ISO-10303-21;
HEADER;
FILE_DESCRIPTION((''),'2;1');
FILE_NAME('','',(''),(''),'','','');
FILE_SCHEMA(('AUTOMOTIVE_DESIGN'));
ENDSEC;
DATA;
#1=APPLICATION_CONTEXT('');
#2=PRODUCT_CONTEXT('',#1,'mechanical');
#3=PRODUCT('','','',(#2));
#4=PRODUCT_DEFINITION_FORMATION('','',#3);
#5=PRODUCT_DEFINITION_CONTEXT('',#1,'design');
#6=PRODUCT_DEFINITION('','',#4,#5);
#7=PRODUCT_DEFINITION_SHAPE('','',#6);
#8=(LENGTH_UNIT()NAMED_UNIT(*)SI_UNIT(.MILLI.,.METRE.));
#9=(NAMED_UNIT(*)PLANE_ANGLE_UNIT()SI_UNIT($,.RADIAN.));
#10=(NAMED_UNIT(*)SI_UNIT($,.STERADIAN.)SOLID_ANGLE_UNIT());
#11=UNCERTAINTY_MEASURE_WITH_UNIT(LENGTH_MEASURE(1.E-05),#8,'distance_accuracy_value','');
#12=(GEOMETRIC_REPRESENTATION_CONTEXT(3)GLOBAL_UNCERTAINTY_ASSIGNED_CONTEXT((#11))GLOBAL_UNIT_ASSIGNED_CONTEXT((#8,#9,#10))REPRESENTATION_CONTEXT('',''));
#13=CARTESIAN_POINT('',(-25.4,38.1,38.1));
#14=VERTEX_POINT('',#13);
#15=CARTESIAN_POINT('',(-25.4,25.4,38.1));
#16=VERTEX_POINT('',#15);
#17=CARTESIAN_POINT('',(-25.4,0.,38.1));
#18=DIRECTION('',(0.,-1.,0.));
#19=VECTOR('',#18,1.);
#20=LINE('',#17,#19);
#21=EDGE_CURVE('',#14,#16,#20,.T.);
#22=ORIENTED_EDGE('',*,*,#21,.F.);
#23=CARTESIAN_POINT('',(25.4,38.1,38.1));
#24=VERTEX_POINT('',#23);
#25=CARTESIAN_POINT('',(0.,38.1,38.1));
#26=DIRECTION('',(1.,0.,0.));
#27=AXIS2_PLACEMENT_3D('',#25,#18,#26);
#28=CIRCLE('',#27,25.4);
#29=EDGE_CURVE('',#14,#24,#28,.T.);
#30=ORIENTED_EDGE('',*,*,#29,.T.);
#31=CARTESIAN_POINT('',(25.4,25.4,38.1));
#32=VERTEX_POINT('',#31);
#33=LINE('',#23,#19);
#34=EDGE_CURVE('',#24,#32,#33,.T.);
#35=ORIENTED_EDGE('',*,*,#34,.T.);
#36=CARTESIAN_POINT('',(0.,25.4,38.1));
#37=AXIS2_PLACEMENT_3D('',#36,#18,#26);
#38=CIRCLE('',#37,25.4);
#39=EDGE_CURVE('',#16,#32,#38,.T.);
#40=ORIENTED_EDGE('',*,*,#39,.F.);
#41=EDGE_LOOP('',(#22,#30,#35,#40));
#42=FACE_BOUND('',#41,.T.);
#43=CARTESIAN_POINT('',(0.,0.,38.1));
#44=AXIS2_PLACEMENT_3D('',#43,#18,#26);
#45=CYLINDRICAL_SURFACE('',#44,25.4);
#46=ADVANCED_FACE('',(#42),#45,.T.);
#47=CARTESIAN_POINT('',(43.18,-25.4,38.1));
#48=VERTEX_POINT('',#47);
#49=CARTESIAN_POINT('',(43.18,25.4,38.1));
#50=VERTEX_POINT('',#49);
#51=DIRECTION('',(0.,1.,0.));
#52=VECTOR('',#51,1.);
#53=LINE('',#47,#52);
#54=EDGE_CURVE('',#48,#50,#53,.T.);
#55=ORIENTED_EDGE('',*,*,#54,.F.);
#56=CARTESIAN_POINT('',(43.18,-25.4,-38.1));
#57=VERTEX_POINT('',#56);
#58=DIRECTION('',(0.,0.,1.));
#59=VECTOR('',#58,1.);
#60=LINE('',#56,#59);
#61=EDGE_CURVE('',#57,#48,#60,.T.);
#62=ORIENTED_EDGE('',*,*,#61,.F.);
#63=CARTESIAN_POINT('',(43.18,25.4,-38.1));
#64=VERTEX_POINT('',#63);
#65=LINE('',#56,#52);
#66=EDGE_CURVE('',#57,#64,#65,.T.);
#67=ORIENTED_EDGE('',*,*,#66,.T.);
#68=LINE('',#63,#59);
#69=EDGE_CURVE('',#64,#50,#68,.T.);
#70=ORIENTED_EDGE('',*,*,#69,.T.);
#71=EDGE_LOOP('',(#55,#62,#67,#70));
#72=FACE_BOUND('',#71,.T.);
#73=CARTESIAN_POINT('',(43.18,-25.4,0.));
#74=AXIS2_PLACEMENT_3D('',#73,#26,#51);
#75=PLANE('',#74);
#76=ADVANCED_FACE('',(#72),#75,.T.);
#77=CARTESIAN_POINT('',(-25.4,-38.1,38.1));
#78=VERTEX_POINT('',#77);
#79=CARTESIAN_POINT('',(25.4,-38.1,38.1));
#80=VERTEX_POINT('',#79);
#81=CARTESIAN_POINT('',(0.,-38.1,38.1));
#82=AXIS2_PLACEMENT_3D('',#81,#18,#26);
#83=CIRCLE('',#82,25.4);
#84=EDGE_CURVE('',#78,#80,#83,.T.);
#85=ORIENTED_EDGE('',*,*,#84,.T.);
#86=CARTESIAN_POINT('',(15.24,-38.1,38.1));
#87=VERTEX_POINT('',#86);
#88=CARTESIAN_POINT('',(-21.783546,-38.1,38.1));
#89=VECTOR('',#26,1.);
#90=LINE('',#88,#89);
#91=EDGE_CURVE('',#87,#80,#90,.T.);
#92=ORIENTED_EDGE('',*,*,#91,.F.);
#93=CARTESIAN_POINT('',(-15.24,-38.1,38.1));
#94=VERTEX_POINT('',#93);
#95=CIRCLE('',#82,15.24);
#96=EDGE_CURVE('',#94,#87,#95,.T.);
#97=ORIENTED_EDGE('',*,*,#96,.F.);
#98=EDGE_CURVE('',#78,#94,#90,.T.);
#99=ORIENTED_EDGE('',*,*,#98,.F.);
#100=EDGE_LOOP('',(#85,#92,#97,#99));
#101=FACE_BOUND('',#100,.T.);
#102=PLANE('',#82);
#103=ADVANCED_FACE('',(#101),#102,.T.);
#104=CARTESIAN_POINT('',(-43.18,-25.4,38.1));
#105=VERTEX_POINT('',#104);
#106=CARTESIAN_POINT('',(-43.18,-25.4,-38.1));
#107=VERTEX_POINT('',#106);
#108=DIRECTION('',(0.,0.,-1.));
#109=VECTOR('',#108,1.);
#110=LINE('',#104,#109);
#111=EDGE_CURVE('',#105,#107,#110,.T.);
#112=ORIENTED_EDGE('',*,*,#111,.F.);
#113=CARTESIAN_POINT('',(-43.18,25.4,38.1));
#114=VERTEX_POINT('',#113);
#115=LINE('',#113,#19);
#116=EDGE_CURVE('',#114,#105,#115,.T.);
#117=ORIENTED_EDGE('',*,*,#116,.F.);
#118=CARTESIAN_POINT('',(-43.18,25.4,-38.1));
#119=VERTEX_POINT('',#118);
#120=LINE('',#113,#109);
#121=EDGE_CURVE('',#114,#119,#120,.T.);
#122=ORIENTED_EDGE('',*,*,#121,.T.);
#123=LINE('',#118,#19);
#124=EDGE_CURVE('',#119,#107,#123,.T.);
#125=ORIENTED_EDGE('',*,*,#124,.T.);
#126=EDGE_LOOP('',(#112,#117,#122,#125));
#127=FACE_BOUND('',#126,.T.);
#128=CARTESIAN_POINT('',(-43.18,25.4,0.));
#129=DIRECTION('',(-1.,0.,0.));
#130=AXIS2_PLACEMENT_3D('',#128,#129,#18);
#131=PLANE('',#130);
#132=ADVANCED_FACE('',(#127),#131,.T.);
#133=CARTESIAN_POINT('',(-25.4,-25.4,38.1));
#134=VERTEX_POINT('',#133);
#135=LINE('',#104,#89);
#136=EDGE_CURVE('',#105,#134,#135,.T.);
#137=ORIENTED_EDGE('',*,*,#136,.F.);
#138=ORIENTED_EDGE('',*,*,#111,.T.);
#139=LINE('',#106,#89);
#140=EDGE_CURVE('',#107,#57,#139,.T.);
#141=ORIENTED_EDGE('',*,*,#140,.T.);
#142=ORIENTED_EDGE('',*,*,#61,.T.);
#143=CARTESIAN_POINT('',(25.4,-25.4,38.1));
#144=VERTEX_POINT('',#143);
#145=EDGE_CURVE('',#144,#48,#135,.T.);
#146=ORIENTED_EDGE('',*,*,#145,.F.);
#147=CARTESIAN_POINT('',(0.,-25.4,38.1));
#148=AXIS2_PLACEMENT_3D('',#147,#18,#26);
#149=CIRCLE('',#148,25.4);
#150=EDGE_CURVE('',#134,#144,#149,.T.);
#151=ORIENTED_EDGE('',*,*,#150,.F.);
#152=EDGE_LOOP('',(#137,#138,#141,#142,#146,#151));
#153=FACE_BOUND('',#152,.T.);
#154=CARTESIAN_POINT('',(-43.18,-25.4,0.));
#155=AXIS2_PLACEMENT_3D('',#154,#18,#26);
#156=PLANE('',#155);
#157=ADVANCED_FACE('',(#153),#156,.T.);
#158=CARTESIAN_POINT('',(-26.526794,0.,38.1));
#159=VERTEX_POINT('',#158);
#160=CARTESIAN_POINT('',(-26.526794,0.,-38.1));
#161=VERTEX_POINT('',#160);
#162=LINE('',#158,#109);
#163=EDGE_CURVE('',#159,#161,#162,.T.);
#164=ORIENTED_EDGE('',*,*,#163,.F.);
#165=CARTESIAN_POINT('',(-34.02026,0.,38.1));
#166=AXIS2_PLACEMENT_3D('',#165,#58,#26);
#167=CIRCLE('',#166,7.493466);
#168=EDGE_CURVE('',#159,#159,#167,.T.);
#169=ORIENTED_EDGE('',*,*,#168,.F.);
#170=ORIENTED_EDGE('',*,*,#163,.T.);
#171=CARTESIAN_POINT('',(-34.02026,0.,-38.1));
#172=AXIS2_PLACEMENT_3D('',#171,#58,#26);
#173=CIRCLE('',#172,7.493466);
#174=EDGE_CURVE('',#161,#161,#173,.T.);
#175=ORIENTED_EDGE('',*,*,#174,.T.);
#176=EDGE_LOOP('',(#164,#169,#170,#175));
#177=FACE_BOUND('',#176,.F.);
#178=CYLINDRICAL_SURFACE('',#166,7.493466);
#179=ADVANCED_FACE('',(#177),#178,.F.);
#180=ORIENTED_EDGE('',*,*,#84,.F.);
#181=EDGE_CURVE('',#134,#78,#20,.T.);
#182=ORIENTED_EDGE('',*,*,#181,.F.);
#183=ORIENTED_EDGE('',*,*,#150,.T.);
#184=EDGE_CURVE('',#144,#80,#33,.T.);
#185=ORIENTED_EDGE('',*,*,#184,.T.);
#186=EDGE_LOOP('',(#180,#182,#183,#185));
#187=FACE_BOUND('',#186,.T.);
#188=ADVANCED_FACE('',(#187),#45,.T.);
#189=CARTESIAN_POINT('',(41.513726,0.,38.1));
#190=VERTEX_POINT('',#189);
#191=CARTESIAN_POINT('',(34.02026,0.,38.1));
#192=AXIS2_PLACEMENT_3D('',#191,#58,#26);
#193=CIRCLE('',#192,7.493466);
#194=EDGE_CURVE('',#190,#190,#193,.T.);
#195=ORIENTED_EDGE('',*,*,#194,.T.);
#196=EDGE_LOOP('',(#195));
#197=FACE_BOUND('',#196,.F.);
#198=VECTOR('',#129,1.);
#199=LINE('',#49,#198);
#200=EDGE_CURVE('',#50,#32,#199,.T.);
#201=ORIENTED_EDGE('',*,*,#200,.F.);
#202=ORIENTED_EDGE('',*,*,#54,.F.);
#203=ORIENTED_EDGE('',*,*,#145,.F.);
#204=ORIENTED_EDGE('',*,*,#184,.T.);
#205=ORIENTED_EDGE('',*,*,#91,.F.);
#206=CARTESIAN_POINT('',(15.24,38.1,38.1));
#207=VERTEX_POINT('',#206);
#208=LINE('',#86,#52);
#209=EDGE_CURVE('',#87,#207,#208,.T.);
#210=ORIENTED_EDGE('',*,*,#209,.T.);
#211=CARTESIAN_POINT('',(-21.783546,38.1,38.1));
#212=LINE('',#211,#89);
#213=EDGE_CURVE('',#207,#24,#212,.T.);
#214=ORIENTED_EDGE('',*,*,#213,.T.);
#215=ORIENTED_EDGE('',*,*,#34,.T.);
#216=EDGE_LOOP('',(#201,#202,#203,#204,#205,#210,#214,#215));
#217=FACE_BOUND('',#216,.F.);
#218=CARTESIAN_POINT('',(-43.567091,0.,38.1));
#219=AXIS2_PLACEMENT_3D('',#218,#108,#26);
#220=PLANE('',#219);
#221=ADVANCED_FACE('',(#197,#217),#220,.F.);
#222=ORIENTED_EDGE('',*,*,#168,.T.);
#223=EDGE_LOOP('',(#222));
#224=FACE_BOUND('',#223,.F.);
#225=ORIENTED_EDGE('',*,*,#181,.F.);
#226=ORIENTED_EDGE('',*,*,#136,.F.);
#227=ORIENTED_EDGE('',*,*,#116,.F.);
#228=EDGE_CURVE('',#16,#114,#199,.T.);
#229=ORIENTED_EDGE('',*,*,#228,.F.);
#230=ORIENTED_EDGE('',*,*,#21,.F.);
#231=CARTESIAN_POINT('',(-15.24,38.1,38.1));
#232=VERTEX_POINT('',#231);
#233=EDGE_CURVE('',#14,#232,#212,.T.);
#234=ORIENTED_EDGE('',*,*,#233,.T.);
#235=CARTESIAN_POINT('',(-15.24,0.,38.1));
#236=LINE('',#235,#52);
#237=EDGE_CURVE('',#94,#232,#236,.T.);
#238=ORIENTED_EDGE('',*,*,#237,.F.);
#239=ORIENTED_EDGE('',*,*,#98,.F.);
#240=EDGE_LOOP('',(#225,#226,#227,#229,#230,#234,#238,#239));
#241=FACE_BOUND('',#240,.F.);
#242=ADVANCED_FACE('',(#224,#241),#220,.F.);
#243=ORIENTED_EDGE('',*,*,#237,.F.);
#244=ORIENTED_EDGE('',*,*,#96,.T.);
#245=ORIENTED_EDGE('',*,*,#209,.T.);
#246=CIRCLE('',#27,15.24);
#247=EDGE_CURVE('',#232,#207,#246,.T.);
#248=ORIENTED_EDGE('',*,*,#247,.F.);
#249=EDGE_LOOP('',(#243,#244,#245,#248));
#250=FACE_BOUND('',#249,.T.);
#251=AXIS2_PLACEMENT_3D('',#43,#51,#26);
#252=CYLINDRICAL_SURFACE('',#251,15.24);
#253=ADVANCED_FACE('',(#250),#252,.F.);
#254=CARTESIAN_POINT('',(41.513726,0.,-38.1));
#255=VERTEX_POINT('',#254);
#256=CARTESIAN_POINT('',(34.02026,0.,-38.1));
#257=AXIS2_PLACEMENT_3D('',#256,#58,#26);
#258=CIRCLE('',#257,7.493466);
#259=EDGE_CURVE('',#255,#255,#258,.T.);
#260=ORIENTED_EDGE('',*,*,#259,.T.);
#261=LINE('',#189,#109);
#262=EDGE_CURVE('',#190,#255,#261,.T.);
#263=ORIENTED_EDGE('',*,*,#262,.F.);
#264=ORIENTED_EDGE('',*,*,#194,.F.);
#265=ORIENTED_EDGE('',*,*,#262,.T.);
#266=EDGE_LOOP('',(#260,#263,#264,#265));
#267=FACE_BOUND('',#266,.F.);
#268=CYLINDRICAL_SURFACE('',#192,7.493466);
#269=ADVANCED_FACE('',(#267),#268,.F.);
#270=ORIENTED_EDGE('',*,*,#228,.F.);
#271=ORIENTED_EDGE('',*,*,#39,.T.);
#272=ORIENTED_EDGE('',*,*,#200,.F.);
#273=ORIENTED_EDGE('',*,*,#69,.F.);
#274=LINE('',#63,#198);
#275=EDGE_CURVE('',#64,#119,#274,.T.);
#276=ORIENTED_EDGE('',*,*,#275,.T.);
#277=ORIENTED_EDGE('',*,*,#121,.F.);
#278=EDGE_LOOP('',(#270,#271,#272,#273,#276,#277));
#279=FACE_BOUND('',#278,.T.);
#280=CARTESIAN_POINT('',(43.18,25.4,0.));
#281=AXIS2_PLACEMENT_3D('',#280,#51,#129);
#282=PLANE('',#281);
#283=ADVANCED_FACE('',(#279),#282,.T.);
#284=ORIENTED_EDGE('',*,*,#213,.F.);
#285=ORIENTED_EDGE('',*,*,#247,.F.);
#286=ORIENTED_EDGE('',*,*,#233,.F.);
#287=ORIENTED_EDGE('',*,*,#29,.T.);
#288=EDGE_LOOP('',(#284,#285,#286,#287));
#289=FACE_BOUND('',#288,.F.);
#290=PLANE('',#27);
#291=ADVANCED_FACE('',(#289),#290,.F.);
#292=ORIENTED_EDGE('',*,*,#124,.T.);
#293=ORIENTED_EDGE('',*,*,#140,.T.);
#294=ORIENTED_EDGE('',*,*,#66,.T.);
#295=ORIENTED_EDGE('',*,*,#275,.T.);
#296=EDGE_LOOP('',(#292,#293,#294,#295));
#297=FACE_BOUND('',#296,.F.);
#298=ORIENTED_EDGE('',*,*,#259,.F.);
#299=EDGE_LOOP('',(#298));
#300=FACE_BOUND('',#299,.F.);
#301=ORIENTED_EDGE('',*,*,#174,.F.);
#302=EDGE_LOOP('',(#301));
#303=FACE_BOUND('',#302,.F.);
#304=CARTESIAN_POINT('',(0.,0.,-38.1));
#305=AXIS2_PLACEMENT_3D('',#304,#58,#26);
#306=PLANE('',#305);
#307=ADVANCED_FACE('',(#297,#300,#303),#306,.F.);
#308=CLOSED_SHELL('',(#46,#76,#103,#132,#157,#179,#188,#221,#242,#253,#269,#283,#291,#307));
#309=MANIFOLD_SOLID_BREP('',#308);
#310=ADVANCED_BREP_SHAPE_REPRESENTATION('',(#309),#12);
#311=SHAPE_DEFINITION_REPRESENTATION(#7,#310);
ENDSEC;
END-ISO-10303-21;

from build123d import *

# Parameters (mm, degrees)
F1_DEPTH = 38.1
F2_R     = 25.4
F2_R_2   = 15.24
F3_DEPTH = 38.1
F4_R     = 15.24
F5_DEPTH = 127
F7_DEPTH = 63.5
F8_R     = 7.4934659192
F9_DEPTH = 76.201


with BuildPart() as f1:
    # F0 (on Top) → F1 (new body, symmetric)
    with BuildSketch(Plane.XY):
        Polygon((-43.18, 0), (-43.18, -25.4), (-20.32, -25.4), (20.32, -25.4), (43.18, -25.4), (43.18, 0), (43.18, 25.4), (20.32, 25.4), (-20.32, 25.4), (-43.18, 25.4), align=None)
    extrude(amount=F1_DEPTH, both=True)

    # F2 (on Front) → F3 (join, symmetric)
    with BuildSketch(Plane.XZ):
        with Locations((0, 38.1)):
            Circle(F2_R)
        with Locations((0, 38.1)):
            Circle(F2_R_2, mode=Mode.SUBTRACT)
    extrude(amount=F3_DEPTH, both=True)

    # F4 (on face) → F5 (cut)
    with BuildSketch(Plane.XZ.offset(38.1)):
        with Locations((0, 38.1)):
            Circle(F4_R)
    extrude(amount=-F5_DEPTH, mode=Mode.SUBTRACT)

    # F6 (on Front) → F7 (cut, symmetric)
    with BuildSketch(Plane.XZ):
        Polygon((-46.0331514478, 71.8028391659), (-43.5670912266, 38.1), (43.5670949519, 38.1), (43.5670949519, 71.8028391659), align=None)
    extrude(amount=F7_DEPTH, both=True, mode=Mode.SUBTRACT)

    # F8 (on face) → F9 (cut, through all)
    with BuildSketch(Plane.XY.offset(38.1)):
        with Locations((-34.0202599764, 0)):
            Circle(F8_R)
        with Locations((34.0202599764, 0)):
            Circle(F8_R)
    extrude(amount=-F9_DEPTH, mode=Mode.SUBTRACT)


solid = f1.part
